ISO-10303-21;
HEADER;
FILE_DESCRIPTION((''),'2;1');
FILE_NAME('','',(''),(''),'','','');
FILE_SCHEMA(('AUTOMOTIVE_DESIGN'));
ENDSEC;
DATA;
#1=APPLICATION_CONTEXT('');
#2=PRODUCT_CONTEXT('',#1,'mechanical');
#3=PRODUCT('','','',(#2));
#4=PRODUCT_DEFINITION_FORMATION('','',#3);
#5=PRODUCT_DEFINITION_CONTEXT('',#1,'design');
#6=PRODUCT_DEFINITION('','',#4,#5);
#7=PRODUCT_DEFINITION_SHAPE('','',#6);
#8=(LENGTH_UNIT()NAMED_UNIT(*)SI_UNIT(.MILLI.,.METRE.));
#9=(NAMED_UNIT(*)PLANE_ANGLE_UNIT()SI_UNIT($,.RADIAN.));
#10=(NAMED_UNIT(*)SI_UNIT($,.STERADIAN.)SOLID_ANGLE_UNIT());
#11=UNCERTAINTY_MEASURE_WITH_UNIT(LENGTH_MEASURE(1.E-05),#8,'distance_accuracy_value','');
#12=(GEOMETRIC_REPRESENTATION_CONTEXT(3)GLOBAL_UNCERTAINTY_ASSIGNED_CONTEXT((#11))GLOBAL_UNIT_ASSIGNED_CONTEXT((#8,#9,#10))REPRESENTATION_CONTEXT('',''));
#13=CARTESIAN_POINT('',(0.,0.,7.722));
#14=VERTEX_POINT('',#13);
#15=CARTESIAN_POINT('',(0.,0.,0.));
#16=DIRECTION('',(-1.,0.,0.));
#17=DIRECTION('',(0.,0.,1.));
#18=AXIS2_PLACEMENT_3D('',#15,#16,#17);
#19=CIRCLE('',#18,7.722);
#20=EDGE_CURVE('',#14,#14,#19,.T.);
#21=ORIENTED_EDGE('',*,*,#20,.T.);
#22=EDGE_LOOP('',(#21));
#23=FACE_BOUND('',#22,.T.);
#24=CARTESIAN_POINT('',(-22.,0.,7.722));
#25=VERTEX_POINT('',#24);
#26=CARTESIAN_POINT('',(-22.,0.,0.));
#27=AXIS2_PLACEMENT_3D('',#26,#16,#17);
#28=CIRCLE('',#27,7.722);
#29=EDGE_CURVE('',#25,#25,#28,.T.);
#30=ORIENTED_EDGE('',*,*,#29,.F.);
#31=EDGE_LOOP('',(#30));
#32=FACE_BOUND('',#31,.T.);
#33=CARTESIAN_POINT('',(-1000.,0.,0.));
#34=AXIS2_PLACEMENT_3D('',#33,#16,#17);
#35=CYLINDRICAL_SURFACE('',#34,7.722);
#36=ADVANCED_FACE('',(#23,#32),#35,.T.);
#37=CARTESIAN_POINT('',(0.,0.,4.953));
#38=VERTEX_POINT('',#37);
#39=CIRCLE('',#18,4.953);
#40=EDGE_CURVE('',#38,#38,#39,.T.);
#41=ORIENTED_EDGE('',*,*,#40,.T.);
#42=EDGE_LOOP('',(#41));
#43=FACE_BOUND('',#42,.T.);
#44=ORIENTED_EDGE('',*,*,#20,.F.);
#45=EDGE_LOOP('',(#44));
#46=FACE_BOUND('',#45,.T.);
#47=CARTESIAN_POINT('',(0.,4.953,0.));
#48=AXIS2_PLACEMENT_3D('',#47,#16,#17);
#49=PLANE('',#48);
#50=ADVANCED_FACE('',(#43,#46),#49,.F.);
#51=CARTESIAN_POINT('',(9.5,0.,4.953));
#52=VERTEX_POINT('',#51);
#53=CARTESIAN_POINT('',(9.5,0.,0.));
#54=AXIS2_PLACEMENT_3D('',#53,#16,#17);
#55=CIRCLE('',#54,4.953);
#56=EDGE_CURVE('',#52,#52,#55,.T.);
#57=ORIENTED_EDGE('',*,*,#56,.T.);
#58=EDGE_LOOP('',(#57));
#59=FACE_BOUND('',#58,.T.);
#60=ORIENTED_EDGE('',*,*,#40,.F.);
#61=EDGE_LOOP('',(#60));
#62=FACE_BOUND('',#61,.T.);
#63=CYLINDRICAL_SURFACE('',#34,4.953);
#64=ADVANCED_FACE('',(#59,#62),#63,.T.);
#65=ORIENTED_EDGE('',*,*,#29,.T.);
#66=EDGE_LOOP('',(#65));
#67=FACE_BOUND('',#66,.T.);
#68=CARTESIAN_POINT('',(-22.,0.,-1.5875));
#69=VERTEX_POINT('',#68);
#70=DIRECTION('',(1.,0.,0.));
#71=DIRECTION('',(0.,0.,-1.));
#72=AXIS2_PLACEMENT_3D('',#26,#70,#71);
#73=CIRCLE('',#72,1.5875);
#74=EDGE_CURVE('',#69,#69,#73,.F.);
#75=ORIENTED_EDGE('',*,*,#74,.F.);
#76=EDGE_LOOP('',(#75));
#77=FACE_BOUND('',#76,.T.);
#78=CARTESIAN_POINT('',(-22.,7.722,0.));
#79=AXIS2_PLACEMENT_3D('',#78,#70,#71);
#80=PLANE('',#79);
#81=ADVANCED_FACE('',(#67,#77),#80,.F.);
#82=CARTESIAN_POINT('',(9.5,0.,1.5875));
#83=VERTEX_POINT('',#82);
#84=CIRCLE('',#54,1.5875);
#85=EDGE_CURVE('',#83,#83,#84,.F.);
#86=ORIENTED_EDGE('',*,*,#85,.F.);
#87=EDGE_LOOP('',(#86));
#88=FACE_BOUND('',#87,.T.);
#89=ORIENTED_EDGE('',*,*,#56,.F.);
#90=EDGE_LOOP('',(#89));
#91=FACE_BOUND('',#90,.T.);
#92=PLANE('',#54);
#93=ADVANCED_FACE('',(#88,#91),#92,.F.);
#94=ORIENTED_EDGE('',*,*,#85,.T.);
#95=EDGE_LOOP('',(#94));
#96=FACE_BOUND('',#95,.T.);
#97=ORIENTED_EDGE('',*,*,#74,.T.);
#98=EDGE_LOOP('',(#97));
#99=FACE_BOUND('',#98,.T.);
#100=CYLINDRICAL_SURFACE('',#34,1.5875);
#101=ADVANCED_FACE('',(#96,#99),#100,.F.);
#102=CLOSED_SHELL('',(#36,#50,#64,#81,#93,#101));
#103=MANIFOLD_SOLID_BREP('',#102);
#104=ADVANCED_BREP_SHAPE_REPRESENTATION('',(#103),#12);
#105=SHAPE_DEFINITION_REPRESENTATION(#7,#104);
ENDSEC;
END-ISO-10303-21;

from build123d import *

# Parameters (mm, degrees)
SOCKET_SKETCH_W = 33.5
SOCKET_SKETCH_H = 1.5875


with BuildPart() as part:
    # Conn_T2_ORB4_Bored Sketch → Conn_T2_ORB4_Bored (revolve)
    with BuildSketch(Plane.XY):
        Polygon((9.5, 0), (9.5, 4.953), (0, 4.953), (0, 7.722), (-22, 7.722), (-22, 0), align=None)
    revolve(axis=Axis((-1000, 0, 0), (1, 0, 0)))

    # Socket Sketch → Socket (revolve, cut)
    with BuildSketch(Plane.XY):
        with Locations((-6.25, 0.79375)):
            Rectangle(SOCKET_SKETCH_W, SOCKET_SKETCH_H)
    revolve(axis=Axis((-1000, 0, 0), (1, 0, 0)), mode=Mode.SUBTRACT)


solid = part.part
